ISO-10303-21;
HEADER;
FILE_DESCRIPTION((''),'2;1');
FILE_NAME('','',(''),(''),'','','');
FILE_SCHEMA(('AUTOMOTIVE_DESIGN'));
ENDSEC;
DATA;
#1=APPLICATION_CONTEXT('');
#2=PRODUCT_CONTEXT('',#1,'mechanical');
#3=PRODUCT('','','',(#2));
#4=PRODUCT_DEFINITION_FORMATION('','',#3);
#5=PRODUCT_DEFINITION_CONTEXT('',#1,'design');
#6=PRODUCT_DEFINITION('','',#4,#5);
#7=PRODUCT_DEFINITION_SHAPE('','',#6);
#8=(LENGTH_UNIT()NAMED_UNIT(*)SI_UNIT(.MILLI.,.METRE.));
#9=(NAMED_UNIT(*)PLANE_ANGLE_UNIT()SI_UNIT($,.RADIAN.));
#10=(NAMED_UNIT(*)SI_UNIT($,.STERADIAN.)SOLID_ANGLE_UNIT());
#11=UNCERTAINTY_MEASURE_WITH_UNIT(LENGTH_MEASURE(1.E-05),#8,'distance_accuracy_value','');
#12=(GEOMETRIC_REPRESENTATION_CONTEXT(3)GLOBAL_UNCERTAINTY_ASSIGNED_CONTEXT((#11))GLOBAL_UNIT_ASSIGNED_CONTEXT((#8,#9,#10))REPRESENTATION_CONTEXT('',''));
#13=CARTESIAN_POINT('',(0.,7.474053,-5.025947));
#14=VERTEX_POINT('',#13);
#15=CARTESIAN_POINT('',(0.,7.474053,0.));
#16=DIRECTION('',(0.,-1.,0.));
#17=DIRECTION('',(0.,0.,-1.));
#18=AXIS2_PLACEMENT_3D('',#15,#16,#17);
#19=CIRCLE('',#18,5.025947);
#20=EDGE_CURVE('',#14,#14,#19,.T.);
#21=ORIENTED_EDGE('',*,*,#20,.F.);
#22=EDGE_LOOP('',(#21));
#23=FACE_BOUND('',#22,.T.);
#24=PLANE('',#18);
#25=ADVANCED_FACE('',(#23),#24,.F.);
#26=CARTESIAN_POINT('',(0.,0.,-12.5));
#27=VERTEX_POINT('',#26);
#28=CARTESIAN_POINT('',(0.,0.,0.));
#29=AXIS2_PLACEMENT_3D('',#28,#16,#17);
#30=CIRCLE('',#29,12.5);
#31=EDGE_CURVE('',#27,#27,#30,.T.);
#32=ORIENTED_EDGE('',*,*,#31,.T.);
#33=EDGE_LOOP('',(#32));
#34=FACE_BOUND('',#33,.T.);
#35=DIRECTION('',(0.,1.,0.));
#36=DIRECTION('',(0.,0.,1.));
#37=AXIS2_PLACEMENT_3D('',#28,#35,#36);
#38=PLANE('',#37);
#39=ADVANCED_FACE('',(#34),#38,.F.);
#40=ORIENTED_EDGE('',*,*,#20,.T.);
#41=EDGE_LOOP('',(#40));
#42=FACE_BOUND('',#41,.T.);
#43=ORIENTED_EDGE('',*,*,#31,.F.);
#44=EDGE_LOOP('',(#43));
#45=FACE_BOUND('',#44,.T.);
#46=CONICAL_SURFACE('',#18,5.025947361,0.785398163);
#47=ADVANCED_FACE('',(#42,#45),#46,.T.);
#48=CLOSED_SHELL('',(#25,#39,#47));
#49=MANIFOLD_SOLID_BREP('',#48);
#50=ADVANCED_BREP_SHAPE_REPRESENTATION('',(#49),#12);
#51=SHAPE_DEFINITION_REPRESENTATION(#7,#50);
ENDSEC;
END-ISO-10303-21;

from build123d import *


with BuildPart() as part:
    # Sketch4 → Revolve1 (revolve)
    with BuildSketch(Plane(origin=(0, 0, 0), x_dir=(0, 0, -1), z_dir=(1, 0, 0))):
        Polygon((0, 0), (-12.5, 0), (-5.025947361, 7.474052639), (0, 7.474052639), align=None)
    revolve(axis=Axis((0, 0, 0), (0, 1, 0)))


solid = part.part
